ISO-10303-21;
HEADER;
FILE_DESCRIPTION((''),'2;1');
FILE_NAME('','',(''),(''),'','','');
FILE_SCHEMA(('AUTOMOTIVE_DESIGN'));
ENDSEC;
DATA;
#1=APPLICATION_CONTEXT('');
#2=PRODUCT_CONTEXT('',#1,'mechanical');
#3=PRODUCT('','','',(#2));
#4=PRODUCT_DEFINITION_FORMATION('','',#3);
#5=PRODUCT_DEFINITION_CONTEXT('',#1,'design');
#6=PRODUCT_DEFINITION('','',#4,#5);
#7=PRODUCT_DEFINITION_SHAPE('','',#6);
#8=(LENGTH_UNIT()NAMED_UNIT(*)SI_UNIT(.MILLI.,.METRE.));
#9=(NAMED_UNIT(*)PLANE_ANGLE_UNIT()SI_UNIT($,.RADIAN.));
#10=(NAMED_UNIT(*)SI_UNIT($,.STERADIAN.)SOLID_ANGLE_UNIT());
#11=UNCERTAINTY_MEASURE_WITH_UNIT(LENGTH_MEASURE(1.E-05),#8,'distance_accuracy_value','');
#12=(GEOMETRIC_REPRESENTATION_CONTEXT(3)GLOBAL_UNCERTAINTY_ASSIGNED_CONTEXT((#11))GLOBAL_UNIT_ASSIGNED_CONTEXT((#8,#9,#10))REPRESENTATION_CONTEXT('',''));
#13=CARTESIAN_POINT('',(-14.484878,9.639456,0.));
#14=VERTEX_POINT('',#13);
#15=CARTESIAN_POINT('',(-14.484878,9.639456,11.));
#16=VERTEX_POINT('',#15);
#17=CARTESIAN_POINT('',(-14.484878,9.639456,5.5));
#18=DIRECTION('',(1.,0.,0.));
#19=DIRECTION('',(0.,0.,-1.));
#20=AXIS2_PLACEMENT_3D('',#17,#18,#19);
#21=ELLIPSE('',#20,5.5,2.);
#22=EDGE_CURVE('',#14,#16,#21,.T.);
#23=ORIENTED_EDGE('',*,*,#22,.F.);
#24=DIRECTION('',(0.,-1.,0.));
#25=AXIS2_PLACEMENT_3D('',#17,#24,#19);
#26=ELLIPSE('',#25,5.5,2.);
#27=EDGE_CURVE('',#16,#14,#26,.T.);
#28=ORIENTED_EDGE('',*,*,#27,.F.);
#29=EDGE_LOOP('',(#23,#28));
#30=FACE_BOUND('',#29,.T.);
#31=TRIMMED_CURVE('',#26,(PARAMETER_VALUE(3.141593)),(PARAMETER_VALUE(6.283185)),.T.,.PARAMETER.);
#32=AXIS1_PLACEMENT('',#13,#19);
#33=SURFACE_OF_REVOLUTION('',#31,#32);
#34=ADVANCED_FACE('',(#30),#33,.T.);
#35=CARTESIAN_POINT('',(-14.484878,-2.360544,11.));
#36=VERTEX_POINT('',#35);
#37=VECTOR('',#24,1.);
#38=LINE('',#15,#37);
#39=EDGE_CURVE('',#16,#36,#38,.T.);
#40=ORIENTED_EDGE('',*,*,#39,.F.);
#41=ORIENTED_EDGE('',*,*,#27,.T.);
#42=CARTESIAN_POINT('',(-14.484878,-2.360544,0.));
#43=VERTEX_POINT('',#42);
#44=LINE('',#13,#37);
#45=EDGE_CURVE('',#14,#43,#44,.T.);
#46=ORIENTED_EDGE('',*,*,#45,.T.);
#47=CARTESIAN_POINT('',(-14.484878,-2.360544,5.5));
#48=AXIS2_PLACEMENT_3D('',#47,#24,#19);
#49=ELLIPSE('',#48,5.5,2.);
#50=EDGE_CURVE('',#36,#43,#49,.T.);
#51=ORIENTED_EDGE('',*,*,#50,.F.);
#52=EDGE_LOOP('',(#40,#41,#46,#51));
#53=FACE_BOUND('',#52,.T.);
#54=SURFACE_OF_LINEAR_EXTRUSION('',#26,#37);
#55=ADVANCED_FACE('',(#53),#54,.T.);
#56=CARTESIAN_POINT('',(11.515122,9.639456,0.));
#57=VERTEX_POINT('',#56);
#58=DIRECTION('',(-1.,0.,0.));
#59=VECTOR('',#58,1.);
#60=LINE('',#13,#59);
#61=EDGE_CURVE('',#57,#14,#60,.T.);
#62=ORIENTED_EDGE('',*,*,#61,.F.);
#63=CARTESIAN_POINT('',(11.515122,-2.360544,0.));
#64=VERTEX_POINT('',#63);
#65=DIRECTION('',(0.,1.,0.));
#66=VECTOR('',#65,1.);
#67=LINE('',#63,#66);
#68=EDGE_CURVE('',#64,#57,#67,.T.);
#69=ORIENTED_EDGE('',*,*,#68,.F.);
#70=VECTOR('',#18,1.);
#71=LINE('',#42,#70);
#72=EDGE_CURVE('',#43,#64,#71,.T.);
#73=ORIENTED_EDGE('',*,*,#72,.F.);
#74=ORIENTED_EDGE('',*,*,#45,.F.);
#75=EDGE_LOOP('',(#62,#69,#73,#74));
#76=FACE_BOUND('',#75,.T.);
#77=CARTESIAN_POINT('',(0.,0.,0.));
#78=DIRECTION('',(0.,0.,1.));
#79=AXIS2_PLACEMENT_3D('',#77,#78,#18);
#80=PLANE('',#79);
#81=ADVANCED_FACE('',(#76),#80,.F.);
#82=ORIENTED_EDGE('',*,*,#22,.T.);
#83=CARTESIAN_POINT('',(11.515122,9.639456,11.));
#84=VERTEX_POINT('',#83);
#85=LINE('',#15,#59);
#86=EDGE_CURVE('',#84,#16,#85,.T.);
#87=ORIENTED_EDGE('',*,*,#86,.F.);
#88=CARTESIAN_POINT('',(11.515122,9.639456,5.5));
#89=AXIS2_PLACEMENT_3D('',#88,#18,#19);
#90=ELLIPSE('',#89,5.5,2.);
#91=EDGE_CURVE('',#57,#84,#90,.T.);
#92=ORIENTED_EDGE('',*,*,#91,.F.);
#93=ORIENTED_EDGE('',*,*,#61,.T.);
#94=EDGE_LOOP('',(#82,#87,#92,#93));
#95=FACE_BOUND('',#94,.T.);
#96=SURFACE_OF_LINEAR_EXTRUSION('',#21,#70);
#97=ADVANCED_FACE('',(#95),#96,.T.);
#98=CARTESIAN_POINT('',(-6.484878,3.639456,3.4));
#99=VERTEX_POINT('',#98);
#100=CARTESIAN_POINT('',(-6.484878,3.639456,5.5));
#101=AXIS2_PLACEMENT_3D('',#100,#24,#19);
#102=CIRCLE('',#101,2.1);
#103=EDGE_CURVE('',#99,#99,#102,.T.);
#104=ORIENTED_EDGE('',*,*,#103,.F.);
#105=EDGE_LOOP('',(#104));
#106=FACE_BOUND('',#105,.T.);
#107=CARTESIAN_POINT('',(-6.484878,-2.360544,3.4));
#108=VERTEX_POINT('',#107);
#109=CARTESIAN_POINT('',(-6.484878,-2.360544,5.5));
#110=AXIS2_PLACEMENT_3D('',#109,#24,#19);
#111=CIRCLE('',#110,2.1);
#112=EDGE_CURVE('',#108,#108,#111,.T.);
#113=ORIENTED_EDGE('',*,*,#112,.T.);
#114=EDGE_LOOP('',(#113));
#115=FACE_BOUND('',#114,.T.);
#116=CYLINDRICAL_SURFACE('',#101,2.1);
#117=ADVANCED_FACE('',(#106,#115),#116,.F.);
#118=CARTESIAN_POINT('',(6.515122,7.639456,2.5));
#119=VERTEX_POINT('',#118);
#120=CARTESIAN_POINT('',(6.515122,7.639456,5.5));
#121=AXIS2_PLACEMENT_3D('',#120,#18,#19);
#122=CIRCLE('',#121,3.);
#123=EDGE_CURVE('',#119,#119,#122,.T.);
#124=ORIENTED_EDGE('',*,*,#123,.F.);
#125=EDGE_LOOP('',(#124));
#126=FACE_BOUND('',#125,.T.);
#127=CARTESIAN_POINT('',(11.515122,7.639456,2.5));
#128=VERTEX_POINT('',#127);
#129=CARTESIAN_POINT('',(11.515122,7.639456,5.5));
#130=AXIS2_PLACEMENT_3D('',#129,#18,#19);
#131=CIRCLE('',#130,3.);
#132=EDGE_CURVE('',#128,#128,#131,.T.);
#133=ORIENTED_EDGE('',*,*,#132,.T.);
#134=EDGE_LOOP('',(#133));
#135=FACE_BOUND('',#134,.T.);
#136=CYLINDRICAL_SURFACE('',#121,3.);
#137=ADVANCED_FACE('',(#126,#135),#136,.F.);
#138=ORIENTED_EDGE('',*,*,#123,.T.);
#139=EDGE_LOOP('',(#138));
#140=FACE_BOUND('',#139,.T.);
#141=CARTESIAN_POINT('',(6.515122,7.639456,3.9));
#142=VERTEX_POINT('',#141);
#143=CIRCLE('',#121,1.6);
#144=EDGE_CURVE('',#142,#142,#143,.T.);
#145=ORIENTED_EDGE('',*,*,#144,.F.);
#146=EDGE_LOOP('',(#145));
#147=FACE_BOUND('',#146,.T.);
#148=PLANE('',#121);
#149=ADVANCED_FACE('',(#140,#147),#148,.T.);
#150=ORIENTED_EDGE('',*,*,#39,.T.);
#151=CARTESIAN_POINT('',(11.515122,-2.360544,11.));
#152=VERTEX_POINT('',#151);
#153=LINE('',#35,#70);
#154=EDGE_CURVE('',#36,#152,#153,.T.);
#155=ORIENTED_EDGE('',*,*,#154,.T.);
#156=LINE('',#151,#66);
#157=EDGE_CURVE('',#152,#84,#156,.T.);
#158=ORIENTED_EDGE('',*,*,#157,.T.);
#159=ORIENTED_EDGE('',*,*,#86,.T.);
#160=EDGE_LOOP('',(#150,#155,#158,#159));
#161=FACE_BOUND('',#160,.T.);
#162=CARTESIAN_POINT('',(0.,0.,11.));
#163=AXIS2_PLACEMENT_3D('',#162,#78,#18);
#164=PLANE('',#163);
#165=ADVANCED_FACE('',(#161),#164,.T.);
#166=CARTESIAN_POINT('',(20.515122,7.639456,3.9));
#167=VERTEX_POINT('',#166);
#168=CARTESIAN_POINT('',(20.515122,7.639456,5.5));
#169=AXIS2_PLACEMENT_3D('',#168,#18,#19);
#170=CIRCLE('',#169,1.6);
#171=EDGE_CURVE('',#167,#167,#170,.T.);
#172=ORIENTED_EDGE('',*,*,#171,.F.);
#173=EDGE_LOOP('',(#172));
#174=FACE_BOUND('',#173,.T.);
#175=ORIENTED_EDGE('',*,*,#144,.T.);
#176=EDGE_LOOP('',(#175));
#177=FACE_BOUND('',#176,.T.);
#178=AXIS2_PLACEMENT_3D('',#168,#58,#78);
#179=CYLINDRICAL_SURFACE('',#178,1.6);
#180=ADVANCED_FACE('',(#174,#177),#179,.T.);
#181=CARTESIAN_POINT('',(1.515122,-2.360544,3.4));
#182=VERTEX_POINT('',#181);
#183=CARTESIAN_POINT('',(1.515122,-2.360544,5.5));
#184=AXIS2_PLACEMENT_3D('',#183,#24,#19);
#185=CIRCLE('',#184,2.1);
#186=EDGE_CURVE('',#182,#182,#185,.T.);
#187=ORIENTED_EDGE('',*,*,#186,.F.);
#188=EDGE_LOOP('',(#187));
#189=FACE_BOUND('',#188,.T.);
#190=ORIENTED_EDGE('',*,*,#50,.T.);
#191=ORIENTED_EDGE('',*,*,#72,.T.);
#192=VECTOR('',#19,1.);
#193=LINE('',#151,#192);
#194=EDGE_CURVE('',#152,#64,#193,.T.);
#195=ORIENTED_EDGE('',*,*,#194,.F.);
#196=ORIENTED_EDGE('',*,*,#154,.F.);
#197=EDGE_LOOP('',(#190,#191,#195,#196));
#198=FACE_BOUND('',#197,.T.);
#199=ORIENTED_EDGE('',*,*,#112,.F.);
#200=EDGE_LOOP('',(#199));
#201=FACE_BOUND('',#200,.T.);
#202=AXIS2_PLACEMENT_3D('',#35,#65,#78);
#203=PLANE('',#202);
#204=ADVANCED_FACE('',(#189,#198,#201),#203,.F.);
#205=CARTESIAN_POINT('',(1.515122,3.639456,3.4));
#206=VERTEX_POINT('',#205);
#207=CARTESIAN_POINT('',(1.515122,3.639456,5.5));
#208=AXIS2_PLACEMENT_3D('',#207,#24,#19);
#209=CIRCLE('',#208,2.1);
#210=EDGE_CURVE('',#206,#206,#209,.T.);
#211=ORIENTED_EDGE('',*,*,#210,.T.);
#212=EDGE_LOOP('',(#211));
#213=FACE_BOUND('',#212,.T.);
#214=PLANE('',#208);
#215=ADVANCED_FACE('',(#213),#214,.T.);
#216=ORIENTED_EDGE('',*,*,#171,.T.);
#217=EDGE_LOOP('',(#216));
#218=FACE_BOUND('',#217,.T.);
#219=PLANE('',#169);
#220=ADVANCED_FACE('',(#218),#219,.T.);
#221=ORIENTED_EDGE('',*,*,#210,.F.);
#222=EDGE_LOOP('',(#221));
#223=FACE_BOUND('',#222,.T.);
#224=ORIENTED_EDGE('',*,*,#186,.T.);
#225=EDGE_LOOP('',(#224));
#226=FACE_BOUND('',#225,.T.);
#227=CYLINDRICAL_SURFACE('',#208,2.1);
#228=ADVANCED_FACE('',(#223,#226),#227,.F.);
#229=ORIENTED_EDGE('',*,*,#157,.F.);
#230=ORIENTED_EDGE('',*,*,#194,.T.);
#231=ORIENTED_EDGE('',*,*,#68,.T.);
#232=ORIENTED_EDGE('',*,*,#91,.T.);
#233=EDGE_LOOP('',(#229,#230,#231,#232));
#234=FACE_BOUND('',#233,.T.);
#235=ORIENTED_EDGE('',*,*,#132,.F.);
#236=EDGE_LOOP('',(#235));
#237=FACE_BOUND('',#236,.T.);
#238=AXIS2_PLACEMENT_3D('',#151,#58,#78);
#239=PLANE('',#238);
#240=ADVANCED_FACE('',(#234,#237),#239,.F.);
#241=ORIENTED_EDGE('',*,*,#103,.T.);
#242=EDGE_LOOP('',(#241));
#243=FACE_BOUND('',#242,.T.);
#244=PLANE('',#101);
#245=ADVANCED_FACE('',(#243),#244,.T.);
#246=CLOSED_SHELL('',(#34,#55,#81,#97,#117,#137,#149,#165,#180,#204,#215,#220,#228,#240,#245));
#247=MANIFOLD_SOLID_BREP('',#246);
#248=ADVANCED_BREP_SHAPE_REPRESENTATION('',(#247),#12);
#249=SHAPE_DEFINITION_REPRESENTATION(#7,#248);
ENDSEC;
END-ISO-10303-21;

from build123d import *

# Parameters (mm, degrees)
CROQUIS1_W              = 26
CROQUIS1_H              = 12
SALIENTE_EXTRUIR1_DEPTH = 11
CROQUIS5_RX             = 5.5
CROQUIS5_RY             = 2
SALIENTE_EXTRUIR2_DEPTH = 26
CROQUIS6_RX             = 5.5
CROQUIS6_RY             = 2
SALIENTE_EXTRUIR3_DEPTH = 12
REVOLUCI_N2_ANGLE       = 90
CROQUIS9_R              = 3
CORTAR_EXTRUIR1_DEPTH   = 5
CROQUIS11_R             = 1.6
SALIENTE_EXTRUIR4_DEPTH = 14
CROQUIS12_R             = 2.1
CORTAR_EXTRUIR2_DEPTH   = 6


with BuildPart() as part:
    # Croquis1 → Saliente-Extruir1 (new body)
    with BuildSketch(Plane.XY):
        with Locations((-1.484877735, 3.639455782)):
            Rectangle(CROQUIS1_W, CROQUIS1_H)
    extrude(amount=SALIENTE_EXTRUIR1_DEPTH)

    # Croquis5 → Saliente-Extruir2 (add)
    with BuildSketch(Plane(origin=(11.515122265, 0, 0), x_dir=(0, 0, -1), z_dir=(1, 0, 0))):
        with Locations((-5.5, 9.639455782)):
            Ellipse(CROQUIS5_RX, CROQUIS5_RY)
    extrude(amount=-SALIENTE_EXTRUIR2_DEPTH)

    # Croquis6 → Saliente-Extruir3 (add)
    with BuildSketch(Plane.XZ.offset(2.360544218)):
        with Locations(Location((-14.484877735, 5.5), (0, 0, -90))):
            Ellipse(CROQUIS6_RX, CROQUIS6_RY)
    extrude(amount=-SALIENTE_EXTRUIR3_DEPTH)

    # Croquis8 → Revolución2 (revolve)
    with BuildSketch(Plane.ZY.offset(14.484877735)):
        with BuildLine():
            Line((0, 9.639455782), (11, 9.639455782))
            add(Edge.make_bspline(
                [(11, 9.639455782), (11, 11.639455782), (5.5, 11.639455782), (0, 11.639455782), (0, 9.639455782)],
                knots=[3.141592654, 3.141592654, 3.141592654, 4.71238898, 4.71238898, 6.283185307, 6.283185307, 6.283185307], degree=2, weights=[1, 0.707106781, 1, 0.707106781, 1]))
        make_face()
    revolve(axis=Axis((-14.484877735, 9.639455782, 0), (0, 0, 1)), revolution_arc=REVOLUCI_N2_ANGLE)

    # Croquis9 → Cortar-Extruir1 (cut)
    with BuildSketch(Plane(origin=(11.515122265, 0, 0), x_dir=(0, 0, -1), z_dir=(1, 0, 0))):
        with Locations((-5.5, 7.639455782)):
            Circle(CROQUIS9_R)
    extrude(amount=-CORTAR_EXTRUIR1_DEPTH, mode=Mode.SUBTRACT)

    # Croquis11 → Saliente-Extruir4 (add)
    with BuildSketch(Plane(origin=(6.515122265, 0, 0), x_dir=(0, 0, -1), z_dir=(1, 0, 0))):
        with Locations((-5.5, 7.639455782)):
            Circle(CROQUIS11_R)
    extrude(amount=SALIENTE_EXTRUIR4_DEPTH)

    # Croquis12 → Cortar-Extruir2 (cut)
    with BuildSketch(Plane.XZ.offset(2.360544218)):
        with Locations((1.515122265, 5.5)):
            Circle(CROQUIS12_R)
        with Locations((-6.484877735, 5.5)):
            Circle(CROQUIS12_R)
    extrude(amount=-CORTAR_EXTRUIR2_DEPTH, mode=Mode.SUBTRACT)


solid = part.part
